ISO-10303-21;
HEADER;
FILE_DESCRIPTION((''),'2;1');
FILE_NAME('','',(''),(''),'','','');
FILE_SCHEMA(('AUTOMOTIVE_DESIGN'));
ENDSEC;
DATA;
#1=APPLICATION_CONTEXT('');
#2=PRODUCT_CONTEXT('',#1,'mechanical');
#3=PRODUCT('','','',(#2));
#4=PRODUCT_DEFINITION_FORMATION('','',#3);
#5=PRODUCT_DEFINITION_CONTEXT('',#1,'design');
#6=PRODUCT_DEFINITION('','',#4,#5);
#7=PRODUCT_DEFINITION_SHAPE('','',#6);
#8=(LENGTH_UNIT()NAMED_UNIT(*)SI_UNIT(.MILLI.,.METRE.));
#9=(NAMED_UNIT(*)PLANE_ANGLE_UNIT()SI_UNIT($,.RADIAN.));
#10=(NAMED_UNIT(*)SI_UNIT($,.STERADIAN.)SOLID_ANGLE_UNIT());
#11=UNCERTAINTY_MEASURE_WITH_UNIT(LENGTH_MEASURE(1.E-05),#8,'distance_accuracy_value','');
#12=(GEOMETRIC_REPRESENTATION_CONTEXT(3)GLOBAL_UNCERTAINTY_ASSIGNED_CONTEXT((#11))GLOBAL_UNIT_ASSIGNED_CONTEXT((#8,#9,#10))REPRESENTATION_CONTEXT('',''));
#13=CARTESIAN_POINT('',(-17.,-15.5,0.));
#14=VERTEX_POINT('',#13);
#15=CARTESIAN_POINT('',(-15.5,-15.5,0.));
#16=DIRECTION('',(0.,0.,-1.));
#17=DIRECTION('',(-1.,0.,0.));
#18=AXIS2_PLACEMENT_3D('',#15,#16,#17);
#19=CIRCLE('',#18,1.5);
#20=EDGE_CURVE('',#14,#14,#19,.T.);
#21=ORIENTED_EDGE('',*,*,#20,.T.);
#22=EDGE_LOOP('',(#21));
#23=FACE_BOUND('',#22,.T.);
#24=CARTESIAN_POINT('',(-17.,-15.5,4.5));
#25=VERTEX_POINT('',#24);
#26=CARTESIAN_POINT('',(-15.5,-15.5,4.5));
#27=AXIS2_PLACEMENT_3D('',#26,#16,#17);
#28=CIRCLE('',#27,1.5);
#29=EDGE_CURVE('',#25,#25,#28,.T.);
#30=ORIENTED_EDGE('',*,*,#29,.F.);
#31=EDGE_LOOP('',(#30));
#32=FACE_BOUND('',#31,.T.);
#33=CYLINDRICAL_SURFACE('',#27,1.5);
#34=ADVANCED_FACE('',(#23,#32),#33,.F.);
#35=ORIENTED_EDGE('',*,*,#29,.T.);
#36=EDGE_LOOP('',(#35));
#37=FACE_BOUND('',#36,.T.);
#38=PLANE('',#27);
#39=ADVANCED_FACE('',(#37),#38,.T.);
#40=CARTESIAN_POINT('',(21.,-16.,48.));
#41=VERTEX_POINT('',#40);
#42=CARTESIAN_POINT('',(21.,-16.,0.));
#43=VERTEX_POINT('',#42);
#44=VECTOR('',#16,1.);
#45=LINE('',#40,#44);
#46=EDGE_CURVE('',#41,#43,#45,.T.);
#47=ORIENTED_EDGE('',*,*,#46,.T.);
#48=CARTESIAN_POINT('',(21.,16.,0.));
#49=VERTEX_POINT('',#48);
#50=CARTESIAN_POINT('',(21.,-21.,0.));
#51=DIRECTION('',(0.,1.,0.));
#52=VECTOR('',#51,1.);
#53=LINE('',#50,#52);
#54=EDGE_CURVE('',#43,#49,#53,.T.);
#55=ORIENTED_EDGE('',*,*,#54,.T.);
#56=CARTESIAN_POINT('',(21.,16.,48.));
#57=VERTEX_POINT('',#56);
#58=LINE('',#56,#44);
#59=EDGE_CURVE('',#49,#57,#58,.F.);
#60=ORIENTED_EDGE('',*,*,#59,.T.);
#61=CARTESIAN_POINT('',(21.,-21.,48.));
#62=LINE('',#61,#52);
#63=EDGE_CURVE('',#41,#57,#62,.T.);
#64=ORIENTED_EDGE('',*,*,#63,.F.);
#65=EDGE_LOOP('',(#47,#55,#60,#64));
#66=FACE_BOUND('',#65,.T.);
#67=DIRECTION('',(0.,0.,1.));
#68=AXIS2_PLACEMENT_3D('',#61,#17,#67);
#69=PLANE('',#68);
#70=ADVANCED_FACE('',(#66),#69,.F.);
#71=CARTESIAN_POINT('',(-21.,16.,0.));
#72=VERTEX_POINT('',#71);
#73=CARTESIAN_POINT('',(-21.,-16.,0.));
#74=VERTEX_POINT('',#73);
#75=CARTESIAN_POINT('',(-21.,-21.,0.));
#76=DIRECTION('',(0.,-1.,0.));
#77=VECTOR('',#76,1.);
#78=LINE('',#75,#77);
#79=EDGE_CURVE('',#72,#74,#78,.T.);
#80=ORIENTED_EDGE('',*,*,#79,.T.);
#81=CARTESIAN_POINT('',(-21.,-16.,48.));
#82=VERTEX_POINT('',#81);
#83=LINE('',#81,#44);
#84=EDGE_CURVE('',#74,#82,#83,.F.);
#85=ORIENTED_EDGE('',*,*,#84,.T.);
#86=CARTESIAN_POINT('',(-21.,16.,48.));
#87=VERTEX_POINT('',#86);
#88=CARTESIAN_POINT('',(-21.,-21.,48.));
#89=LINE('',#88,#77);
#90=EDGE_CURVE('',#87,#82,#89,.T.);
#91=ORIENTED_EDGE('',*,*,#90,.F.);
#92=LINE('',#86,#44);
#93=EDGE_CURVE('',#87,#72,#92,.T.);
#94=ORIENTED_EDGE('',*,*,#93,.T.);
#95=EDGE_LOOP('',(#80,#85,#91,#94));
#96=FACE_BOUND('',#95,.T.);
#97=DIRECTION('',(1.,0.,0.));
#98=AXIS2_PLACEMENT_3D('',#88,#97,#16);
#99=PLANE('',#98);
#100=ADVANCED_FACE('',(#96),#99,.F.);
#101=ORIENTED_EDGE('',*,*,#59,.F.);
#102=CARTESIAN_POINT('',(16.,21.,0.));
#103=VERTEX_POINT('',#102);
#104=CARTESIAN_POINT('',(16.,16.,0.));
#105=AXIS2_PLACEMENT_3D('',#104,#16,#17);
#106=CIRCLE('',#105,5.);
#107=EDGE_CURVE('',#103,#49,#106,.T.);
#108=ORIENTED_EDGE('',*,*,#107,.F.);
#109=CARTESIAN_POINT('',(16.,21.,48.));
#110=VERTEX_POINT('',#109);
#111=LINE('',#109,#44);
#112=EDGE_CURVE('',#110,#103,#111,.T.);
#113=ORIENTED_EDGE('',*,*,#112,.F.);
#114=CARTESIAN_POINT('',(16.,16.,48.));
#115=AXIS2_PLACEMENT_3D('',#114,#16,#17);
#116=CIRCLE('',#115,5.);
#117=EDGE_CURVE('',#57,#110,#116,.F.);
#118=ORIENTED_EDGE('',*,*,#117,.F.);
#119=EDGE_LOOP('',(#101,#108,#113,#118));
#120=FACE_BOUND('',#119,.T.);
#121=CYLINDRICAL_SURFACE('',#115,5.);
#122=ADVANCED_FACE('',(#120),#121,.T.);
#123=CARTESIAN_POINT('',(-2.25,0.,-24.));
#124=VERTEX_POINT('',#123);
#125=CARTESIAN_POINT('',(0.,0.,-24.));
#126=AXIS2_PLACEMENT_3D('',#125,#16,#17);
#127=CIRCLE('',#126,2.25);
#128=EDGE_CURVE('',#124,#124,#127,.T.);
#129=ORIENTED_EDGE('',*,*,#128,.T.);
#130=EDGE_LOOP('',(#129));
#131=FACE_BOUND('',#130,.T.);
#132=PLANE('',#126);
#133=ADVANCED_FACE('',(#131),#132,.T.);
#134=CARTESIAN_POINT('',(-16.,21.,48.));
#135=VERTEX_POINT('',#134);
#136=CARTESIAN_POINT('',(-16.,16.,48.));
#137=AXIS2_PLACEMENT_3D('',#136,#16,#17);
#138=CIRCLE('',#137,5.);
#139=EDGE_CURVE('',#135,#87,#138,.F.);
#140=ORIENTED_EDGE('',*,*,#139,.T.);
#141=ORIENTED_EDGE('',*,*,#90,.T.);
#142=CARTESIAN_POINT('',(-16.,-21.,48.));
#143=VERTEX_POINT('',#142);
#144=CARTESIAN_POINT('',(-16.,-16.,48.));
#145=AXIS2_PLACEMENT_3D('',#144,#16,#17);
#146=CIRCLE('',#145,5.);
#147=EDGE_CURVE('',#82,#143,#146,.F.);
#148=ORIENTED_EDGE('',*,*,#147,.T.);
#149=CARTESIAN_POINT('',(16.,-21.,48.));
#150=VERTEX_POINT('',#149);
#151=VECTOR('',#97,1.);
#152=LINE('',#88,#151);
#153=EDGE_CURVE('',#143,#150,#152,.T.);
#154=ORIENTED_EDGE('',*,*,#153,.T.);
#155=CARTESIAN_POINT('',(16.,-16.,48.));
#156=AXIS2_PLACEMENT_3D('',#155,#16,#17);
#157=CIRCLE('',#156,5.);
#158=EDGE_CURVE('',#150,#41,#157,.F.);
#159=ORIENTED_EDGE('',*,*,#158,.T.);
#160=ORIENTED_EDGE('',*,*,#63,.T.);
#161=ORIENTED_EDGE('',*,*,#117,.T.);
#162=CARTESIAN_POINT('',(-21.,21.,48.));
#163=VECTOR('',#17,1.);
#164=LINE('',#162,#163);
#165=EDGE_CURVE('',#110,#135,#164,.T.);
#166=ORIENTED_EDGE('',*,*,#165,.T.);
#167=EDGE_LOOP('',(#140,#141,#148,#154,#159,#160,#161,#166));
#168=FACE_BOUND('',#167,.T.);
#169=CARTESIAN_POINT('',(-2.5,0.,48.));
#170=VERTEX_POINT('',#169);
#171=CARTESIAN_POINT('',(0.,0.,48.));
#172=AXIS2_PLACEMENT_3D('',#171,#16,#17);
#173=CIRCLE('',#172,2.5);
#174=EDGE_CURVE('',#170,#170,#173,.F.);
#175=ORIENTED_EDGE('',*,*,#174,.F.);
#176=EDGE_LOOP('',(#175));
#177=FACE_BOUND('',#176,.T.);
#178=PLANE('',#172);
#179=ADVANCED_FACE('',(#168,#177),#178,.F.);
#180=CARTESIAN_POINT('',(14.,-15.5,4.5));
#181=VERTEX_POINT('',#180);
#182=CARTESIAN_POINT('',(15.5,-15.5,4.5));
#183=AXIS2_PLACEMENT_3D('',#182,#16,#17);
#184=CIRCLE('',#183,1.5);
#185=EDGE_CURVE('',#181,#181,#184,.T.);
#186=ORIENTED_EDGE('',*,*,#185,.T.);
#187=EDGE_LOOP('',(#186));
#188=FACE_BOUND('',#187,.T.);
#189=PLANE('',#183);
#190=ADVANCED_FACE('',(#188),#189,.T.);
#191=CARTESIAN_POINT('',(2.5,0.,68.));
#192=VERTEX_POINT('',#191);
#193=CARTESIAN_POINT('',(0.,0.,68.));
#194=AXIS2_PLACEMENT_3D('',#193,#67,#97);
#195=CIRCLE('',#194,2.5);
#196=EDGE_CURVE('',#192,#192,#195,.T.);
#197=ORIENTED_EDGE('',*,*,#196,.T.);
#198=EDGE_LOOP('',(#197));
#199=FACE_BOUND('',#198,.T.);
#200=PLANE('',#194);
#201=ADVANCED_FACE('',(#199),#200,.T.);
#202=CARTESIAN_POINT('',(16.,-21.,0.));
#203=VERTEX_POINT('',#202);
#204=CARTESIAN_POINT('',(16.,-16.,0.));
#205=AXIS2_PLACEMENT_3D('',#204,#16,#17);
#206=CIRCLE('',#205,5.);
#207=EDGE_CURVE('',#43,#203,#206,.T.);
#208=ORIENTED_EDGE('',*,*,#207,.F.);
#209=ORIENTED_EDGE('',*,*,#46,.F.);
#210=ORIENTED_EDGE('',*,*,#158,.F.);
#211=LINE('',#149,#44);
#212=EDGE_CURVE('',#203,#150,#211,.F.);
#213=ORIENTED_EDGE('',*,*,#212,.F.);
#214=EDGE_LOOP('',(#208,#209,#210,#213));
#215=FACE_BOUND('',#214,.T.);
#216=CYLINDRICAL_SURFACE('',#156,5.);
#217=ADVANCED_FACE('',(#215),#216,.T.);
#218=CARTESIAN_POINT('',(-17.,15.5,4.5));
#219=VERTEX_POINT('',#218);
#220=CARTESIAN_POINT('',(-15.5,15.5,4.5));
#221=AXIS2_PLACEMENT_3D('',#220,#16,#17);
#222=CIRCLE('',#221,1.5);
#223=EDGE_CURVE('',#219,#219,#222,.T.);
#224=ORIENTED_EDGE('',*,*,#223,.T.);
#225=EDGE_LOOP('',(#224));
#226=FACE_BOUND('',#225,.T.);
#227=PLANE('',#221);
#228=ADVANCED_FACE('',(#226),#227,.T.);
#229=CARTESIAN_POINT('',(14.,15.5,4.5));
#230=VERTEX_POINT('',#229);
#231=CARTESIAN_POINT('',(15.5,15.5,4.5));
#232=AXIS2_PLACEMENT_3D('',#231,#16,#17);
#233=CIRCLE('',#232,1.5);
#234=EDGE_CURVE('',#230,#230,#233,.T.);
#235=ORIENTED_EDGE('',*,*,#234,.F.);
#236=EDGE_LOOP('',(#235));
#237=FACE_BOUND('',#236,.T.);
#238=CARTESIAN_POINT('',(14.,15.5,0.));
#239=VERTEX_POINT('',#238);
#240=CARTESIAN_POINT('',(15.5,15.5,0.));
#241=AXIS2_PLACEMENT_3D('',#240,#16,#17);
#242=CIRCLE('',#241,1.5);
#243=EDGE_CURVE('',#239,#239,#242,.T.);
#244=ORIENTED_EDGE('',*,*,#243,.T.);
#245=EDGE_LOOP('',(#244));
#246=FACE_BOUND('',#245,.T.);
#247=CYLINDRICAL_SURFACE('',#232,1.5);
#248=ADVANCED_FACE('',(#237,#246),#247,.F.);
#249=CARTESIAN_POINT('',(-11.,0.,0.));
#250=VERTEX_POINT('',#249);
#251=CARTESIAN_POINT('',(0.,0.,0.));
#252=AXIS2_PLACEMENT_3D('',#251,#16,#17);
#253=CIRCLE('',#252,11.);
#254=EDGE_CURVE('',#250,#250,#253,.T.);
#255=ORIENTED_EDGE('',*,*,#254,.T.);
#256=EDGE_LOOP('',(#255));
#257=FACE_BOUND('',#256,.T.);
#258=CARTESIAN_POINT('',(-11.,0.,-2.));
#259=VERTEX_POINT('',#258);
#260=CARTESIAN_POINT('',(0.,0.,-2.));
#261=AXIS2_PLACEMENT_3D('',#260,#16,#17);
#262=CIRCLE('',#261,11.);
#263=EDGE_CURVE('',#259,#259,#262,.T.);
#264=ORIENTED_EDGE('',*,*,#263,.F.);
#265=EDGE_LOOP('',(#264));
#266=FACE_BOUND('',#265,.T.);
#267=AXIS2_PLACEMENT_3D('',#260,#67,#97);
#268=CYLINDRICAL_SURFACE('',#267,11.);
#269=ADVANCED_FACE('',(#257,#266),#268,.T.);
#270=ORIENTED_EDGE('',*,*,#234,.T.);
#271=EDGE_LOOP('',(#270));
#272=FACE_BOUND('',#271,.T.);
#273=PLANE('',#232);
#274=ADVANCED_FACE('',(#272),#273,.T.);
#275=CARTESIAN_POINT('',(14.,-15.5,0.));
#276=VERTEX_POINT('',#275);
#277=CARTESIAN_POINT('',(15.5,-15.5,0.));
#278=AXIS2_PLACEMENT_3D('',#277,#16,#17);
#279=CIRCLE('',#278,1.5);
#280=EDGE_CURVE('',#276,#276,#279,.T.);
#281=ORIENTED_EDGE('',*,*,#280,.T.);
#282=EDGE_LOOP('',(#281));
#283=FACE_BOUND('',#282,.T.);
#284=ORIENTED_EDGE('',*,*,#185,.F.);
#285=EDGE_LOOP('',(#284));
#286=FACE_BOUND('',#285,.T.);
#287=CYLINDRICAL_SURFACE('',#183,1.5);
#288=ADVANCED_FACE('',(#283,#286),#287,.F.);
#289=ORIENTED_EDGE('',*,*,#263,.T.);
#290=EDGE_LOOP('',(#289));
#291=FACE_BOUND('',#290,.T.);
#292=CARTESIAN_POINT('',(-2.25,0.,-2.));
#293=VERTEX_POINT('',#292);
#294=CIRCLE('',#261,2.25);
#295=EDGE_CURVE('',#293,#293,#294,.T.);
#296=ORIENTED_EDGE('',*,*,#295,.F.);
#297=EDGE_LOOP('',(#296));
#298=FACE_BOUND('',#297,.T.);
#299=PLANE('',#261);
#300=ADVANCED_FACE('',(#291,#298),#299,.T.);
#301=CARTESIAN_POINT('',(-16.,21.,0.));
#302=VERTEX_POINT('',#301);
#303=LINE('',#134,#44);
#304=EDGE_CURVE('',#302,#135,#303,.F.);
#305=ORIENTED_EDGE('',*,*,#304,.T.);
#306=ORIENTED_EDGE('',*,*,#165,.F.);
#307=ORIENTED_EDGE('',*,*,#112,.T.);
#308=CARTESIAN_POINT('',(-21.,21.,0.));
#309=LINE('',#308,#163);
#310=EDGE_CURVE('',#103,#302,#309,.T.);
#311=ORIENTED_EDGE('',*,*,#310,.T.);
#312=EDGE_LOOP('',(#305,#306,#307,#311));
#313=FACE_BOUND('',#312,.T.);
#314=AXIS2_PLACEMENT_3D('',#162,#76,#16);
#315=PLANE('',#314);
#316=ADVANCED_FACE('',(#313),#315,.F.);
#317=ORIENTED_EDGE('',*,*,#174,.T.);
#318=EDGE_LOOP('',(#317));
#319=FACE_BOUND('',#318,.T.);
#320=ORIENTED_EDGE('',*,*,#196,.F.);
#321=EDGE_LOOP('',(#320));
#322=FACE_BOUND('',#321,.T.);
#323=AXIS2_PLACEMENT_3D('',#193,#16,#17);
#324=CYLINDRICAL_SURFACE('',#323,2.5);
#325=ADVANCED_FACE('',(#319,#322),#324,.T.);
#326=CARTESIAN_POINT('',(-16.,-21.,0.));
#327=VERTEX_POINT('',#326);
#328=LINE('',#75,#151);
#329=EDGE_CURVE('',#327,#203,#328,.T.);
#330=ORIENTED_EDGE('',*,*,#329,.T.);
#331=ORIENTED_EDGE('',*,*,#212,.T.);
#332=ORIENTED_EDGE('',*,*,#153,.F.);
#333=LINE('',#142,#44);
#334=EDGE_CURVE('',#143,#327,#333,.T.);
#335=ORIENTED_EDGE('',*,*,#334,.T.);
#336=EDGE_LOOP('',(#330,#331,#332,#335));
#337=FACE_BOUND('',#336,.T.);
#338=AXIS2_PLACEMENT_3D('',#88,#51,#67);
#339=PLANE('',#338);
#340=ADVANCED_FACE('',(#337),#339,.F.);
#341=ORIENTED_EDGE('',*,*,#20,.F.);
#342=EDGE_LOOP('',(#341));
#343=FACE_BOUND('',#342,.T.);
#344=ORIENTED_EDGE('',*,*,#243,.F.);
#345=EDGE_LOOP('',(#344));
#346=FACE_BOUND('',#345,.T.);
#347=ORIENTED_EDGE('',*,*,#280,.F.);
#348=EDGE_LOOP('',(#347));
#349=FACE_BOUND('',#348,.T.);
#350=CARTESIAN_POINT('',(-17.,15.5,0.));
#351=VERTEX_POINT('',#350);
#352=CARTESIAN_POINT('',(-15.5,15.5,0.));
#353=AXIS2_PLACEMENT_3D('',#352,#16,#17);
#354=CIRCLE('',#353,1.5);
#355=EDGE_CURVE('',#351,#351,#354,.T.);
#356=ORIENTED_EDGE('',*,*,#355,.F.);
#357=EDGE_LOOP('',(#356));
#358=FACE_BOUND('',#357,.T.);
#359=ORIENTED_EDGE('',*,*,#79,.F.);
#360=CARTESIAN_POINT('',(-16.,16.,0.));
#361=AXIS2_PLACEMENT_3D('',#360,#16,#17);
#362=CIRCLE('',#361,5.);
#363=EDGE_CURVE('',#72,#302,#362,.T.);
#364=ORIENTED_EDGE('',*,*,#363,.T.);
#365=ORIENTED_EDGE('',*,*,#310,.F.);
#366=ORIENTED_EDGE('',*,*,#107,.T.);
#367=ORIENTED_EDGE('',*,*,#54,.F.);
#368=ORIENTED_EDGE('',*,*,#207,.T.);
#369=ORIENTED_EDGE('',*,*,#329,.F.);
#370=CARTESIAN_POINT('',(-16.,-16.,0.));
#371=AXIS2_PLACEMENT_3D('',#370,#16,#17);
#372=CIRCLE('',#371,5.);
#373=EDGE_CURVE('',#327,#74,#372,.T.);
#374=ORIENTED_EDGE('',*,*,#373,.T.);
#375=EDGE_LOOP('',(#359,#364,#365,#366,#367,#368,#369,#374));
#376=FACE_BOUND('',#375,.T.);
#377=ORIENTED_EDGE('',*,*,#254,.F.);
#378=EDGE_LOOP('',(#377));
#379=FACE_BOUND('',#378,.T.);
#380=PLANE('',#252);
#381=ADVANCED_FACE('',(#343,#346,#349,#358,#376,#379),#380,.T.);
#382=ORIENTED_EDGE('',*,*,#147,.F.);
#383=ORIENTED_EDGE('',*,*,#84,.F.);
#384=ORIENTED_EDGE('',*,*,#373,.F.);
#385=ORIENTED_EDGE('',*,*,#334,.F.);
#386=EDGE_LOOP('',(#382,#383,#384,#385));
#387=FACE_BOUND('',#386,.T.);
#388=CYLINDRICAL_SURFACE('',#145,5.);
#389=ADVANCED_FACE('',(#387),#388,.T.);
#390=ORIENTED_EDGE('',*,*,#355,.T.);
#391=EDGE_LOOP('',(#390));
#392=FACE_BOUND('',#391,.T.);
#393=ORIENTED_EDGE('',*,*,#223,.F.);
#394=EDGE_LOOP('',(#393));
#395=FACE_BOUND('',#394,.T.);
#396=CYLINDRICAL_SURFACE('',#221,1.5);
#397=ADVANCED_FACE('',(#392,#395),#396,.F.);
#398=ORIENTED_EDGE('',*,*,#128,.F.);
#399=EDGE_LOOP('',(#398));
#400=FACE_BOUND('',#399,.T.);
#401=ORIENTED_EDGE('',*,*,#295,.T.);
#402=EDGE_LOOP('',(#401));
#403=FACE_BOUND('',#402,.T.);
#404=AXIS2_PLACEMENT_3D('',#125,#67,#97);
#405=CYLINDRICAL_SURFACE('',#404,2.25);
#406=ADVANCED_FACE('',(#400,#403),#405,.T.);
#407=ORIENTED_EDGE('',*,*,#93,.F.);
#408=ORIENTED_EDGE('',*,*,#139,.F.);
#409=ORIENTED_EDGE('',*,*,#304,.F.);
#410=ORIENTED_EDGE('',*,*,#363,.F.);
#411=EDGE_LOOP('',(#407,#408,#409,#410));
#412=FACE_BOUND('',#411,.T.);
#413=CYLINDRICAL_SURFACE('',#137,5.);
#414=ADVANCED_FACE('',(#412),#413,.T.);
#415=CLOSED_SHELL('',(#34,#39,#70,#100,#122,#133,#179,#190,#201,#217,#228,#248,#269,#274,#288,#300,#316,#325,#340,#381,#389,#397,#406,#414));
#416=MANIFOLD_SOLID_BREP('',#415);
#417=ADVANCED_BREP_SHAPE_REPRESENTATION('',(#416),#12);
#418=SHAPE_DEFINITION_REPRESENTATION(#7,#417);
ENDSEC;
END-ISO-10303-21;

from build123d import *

# Parameters (mm, degrees)
SKETCH_1_W          = 42
SKETCH_1_H          = 42
EXTRUDE_1_DEPTH     = 48
SKETCH_2_R          = 11
EXTRUDE_2_DEPTH     = 2
SKETCH_3_R          = 2.25
EXTRUDE_3_DEPTH     = 22
SKETCH_4_R          = 1.5
CUT_EXTRUDE_1_DEPTH = 4.5
FILLET_1_R          = 5
SKETCH_5_R          = 2.5
EXTRUDE_4_DEPTH     = 20


with BuildPart() as part:
    # 草图1 → 凸台-拉伸1 (new body)
    with BuildSketch(Plane.XY):
        Rectangle(SKETCH_1_W, SKETCH_1_H)
    extrude(amount=EXTRUDE_1_DEPTH)

    # 草图2 → 凸台-拉伸2 (add)
    with BuildSketch(Plane(origin=(0, 0, 0), x_dir=(-1, 0, 0), z_dir=(0, 0, -1))):
        Circle(SKETCH_2_R)
    extrude(amount=EXTRUDE_2_DEPTH)

    # 草图3 → 凸台-拉伸3 (add)
    with BuildSketch(Plane(origin=(0, 0, -2), x_dir=(-1, 0, 0), z_dir=(0, 0, -1))):
        Circle(SKETCH_3_R)
    extrude(amount=EXTRUDE_3_DEPTH)

    # 草图4 → 切除-拉伸1 (cut)
    with BuildSketch(Plane(origin=(0, 0, 0), x_dir=(-1, 0, 0), z_dir=(0, 0, -1))):
        with Locations((-15.5, 15.5)):
            Circle(SKETCH_4_R)
        with Locations((15.5, 15.5)):
            Circle(SKETCH_4_R)
        with Locations((15.5, -15.5)):
            Circle(SKETCH_4_R)
        with Locations((-15.5, -15.5)):
            Circle(SKETCH_4_R)
    extrude(amount=-CUT_EXTRUDE_1_DEPTH, mode=Mode.SUBTRACT)

    # 圆角1
    fillet_1_edges = [part.edges().sort_by_distance(p)[0] for p in [
        (21, -21, 24),
        (-21, -21, 24),
        (-21, 21, 24),
        (21, 21, 24),
    ]]
    fillet(fillet_1_edges, radius=FILLET_1_R)

    # 草图5 → 凸台-拉伸4 (add)
    with BuildSketch(Plane.XY.offset(48)):
        Circle(SKETCH_5_R)
    extrude(amount=EXTRUDE_4_DEPTH)


solid = part.part
